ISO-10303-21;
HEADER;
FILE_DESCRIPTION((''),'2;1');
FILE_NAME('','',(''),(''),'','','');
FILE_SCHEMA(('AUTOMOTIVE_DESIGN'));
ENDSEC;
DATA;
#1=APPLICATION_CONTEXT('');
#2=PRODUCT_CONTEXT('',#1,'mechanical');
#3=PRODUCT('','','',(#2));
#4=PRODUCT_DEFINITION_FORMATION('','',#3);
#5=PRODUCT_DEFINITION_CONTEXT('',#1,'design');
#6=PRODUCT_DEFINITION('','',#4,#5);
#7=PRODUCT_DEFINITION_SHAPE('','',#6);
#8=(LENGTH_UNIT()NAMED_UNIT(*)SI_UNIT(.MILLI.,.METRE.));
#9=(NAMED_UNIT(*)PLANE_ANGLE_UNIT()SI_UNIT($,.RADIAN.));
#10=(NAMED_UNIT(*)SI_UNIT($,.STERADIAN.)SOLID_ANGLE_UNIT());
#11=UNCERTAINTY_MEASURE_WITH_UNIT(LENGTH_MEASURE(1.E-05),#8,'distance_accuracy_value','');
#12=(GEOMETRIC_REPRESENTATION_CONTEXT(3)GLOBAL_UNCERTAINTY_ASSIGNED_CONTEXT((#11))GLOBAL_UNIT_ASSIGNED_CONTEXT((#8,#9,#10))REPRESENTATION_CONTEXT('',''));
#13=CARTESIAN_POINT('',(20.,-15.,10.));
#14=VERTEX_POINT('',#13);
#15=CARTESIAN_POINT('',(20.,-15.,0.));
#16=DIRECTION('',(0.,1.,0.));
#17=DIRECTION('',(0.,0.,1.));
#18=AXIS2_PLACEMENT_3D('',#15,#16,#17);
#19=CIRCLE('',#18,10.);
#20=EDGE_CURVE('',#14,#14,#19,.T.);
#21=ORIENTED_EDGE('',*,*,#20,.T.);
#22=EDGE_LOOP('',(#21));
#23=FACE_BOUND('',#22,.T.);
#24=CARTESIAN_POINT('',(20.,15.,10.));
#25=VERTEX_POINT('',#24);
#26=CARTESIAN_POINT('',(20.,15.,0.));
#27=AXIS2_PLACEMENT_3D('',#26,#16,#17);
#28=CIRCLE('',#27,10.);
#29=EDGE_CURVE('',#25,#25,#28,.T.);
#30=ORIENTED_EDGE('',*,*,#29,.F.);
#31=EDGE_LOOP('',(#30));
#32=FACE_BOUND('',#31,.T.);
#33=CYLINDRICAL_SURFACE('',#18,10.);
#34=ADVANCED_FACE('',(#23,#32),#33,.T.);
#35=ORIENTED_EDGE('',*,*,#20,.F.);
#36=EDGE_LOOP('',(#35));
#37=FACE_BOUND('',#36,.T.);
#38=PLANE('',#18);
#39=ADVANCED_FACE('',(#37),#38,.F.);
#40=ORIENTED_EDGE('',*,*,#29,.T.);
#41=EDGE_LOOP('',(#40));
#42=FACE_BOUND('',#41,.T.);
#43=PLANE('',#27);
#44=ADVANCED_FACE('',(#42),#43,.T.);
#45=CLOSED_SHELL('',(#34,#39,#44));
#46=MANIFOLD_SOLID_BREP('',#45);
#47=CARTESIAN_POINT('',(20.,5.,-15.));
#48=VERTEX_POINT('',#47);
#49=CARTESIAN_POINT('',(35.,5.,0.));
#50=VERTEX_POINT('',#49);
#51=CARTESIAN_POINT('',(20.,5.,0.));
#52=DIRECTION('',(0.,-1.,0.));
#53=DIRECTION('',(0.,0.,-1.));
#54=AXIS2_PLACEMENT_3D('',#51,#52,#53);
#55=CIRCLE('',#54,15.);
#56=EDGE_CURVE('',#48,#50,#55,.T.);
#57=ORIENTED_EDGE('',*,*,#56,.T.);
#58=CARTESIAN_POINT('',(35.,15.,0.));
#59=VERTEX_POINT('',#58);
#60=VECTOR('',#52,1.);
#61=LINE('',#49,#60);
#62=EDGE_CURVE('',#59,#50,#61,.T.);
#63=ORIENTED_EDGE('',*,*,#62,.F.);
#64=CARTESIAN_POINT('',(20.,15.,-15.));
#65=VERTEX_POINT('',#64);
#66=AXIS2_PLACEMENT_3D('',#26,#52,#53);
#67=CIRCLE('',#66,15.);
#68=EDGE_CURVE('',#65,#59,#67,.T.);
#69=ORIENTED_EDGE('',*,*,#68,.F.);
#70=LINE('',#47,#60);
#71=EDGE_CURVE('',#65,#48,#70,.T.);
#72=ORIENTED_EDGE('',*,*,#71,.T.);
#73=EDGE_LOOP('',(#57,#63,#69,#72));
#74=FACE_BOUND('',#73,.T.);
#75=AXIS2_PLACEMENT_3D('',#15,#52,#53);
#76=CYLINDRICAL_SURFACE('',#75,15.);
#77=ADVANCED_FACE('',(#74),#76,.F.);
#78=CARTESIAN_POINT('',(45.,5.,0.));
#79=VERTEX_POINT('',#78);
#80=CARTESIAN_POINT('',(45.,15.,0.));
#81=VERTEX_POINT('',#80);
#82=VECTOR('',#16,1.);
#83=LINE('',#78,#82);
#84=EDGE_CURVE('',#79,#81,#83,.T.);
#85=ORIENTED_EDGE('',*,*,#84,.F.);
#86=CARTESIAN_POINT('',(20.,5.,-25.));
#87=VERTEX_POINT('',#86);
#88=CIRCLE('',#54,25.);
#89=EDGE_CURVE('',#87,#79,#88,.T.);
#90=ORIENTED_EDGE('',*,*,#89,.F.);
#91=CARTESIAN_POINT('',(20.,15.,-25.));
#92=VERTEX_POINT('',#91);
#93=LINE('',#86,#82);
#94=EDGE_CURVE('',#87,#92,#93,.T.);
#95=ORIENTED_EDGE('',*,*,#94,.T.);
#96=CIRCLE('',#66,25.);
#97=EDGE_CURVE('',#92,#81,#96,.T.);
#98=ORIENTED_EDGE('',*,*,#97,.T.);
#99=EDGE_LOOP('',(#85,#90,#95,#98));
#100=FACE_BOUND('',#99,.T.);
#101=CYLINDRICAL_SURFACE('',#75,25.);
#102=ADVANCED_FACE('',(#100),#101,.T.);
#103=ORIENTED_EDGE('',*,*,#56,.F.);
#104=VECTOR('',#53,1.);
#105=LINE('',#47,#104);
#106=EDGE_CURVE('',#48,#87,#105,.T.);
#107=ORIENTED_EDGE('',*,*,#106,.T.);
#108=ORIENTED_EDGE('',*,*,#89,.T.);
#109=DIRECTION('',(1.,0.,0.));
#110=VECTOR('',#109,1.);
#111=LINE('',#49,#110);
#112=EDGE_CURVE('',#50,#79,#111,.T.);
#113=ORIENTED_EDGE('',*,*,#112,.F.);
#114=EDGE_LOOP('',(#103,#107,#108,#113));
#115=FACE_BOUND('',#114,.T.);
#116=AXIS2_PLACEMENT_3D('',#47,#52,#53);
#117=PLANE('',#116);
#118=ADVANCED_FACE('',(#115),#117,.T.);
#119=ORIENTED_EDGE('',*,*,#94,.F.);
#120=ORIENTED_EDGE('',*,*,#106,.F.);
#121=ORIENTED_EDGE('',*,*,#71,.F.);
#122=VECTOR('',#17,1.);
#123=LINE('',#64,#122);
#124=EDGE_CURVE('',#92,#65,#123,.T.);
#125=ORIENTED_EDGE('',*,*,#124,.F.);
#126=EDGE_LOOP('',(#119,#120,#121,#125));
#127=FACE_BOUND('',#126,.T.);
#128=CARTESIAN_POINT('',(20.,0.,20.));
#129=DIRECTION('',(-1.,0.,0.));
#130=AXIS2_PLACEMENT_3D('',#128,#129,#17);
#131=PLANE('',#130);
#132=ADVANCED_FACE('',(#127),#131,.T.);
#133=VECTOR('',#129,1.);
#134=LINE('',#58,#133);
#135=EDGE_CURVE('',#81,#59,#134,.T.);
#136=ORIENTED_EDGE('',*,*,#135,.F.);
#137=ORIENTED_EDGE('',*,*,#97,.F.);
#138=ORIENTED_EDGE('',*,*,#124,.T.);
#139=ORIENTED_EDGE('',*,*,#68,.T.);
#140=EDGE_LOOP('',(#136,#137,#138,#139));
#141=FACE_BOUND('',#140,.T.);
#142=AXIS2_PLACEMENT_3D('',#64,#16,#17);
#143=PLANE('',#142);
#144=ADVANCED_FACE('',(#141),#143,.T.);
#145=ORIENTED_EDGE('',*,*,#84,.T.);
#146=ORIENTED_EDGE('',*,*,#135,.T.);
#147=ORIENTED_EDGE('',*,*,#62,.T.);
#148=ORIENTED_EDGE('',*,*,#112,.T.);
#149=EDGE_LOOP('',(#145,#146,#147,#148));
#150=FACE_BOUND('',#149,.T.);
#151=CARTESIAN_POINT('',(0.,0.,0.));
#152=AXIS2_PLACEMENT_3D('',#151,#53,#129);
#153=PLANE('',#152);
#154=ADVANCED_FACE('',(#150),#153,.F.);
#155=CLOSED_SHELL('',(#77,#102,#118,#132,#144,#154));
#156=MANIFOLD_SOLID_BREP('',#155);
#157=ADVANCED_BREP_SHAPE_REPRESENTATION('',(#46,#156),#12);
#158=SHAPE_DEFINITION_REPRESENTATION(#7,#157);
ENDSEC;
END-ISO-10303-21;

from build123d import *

# Parameters (mm, degrees)
BOSS_EXTRUDE1_DEPTH      = 15
BOSS_EXTRUDE1_DEPTH_BACK = 15
SKETCH1_R                = 10
SKETCH2_W                = 10
SKETCH2_H                = 10
REVOLVE1_ANGLE           = 90


with BuildPart() as part:
    # Sketch1 → Boss-Extrude1 (new, two sides: drawn at the far end of the back side and taken through both)
    with BuildSketch(Plane(origin=(0, 0, 0), x_dir=(1, 0, 0), z_dir=(0, 1, 0)).offset(-BOSS_EXTRUDE1_DEPTH_BACK)):
        with Locations((20, 0)):
            Circle(SKETCH1_R)
    extrude(amount=BOSS_EXTRUDE1_DEPTH + BOSS_EXTRUDE1_DEPTH_BACK)


with BuildPart() as body_2:
    # Sketch2 → Revolve1 (revolve)
    with BuildSketch(Plane.XY):
        with Locations((40, 10)):
            Rectangle(SKETCH2_W, SKETCH2_H)
    revolve(axis=Axis((20, -15, 0), (0, 1, 0)), revolution_arc=REVOLVE1_ANGLE)


solid = Compound([part.part, body_2.part])
